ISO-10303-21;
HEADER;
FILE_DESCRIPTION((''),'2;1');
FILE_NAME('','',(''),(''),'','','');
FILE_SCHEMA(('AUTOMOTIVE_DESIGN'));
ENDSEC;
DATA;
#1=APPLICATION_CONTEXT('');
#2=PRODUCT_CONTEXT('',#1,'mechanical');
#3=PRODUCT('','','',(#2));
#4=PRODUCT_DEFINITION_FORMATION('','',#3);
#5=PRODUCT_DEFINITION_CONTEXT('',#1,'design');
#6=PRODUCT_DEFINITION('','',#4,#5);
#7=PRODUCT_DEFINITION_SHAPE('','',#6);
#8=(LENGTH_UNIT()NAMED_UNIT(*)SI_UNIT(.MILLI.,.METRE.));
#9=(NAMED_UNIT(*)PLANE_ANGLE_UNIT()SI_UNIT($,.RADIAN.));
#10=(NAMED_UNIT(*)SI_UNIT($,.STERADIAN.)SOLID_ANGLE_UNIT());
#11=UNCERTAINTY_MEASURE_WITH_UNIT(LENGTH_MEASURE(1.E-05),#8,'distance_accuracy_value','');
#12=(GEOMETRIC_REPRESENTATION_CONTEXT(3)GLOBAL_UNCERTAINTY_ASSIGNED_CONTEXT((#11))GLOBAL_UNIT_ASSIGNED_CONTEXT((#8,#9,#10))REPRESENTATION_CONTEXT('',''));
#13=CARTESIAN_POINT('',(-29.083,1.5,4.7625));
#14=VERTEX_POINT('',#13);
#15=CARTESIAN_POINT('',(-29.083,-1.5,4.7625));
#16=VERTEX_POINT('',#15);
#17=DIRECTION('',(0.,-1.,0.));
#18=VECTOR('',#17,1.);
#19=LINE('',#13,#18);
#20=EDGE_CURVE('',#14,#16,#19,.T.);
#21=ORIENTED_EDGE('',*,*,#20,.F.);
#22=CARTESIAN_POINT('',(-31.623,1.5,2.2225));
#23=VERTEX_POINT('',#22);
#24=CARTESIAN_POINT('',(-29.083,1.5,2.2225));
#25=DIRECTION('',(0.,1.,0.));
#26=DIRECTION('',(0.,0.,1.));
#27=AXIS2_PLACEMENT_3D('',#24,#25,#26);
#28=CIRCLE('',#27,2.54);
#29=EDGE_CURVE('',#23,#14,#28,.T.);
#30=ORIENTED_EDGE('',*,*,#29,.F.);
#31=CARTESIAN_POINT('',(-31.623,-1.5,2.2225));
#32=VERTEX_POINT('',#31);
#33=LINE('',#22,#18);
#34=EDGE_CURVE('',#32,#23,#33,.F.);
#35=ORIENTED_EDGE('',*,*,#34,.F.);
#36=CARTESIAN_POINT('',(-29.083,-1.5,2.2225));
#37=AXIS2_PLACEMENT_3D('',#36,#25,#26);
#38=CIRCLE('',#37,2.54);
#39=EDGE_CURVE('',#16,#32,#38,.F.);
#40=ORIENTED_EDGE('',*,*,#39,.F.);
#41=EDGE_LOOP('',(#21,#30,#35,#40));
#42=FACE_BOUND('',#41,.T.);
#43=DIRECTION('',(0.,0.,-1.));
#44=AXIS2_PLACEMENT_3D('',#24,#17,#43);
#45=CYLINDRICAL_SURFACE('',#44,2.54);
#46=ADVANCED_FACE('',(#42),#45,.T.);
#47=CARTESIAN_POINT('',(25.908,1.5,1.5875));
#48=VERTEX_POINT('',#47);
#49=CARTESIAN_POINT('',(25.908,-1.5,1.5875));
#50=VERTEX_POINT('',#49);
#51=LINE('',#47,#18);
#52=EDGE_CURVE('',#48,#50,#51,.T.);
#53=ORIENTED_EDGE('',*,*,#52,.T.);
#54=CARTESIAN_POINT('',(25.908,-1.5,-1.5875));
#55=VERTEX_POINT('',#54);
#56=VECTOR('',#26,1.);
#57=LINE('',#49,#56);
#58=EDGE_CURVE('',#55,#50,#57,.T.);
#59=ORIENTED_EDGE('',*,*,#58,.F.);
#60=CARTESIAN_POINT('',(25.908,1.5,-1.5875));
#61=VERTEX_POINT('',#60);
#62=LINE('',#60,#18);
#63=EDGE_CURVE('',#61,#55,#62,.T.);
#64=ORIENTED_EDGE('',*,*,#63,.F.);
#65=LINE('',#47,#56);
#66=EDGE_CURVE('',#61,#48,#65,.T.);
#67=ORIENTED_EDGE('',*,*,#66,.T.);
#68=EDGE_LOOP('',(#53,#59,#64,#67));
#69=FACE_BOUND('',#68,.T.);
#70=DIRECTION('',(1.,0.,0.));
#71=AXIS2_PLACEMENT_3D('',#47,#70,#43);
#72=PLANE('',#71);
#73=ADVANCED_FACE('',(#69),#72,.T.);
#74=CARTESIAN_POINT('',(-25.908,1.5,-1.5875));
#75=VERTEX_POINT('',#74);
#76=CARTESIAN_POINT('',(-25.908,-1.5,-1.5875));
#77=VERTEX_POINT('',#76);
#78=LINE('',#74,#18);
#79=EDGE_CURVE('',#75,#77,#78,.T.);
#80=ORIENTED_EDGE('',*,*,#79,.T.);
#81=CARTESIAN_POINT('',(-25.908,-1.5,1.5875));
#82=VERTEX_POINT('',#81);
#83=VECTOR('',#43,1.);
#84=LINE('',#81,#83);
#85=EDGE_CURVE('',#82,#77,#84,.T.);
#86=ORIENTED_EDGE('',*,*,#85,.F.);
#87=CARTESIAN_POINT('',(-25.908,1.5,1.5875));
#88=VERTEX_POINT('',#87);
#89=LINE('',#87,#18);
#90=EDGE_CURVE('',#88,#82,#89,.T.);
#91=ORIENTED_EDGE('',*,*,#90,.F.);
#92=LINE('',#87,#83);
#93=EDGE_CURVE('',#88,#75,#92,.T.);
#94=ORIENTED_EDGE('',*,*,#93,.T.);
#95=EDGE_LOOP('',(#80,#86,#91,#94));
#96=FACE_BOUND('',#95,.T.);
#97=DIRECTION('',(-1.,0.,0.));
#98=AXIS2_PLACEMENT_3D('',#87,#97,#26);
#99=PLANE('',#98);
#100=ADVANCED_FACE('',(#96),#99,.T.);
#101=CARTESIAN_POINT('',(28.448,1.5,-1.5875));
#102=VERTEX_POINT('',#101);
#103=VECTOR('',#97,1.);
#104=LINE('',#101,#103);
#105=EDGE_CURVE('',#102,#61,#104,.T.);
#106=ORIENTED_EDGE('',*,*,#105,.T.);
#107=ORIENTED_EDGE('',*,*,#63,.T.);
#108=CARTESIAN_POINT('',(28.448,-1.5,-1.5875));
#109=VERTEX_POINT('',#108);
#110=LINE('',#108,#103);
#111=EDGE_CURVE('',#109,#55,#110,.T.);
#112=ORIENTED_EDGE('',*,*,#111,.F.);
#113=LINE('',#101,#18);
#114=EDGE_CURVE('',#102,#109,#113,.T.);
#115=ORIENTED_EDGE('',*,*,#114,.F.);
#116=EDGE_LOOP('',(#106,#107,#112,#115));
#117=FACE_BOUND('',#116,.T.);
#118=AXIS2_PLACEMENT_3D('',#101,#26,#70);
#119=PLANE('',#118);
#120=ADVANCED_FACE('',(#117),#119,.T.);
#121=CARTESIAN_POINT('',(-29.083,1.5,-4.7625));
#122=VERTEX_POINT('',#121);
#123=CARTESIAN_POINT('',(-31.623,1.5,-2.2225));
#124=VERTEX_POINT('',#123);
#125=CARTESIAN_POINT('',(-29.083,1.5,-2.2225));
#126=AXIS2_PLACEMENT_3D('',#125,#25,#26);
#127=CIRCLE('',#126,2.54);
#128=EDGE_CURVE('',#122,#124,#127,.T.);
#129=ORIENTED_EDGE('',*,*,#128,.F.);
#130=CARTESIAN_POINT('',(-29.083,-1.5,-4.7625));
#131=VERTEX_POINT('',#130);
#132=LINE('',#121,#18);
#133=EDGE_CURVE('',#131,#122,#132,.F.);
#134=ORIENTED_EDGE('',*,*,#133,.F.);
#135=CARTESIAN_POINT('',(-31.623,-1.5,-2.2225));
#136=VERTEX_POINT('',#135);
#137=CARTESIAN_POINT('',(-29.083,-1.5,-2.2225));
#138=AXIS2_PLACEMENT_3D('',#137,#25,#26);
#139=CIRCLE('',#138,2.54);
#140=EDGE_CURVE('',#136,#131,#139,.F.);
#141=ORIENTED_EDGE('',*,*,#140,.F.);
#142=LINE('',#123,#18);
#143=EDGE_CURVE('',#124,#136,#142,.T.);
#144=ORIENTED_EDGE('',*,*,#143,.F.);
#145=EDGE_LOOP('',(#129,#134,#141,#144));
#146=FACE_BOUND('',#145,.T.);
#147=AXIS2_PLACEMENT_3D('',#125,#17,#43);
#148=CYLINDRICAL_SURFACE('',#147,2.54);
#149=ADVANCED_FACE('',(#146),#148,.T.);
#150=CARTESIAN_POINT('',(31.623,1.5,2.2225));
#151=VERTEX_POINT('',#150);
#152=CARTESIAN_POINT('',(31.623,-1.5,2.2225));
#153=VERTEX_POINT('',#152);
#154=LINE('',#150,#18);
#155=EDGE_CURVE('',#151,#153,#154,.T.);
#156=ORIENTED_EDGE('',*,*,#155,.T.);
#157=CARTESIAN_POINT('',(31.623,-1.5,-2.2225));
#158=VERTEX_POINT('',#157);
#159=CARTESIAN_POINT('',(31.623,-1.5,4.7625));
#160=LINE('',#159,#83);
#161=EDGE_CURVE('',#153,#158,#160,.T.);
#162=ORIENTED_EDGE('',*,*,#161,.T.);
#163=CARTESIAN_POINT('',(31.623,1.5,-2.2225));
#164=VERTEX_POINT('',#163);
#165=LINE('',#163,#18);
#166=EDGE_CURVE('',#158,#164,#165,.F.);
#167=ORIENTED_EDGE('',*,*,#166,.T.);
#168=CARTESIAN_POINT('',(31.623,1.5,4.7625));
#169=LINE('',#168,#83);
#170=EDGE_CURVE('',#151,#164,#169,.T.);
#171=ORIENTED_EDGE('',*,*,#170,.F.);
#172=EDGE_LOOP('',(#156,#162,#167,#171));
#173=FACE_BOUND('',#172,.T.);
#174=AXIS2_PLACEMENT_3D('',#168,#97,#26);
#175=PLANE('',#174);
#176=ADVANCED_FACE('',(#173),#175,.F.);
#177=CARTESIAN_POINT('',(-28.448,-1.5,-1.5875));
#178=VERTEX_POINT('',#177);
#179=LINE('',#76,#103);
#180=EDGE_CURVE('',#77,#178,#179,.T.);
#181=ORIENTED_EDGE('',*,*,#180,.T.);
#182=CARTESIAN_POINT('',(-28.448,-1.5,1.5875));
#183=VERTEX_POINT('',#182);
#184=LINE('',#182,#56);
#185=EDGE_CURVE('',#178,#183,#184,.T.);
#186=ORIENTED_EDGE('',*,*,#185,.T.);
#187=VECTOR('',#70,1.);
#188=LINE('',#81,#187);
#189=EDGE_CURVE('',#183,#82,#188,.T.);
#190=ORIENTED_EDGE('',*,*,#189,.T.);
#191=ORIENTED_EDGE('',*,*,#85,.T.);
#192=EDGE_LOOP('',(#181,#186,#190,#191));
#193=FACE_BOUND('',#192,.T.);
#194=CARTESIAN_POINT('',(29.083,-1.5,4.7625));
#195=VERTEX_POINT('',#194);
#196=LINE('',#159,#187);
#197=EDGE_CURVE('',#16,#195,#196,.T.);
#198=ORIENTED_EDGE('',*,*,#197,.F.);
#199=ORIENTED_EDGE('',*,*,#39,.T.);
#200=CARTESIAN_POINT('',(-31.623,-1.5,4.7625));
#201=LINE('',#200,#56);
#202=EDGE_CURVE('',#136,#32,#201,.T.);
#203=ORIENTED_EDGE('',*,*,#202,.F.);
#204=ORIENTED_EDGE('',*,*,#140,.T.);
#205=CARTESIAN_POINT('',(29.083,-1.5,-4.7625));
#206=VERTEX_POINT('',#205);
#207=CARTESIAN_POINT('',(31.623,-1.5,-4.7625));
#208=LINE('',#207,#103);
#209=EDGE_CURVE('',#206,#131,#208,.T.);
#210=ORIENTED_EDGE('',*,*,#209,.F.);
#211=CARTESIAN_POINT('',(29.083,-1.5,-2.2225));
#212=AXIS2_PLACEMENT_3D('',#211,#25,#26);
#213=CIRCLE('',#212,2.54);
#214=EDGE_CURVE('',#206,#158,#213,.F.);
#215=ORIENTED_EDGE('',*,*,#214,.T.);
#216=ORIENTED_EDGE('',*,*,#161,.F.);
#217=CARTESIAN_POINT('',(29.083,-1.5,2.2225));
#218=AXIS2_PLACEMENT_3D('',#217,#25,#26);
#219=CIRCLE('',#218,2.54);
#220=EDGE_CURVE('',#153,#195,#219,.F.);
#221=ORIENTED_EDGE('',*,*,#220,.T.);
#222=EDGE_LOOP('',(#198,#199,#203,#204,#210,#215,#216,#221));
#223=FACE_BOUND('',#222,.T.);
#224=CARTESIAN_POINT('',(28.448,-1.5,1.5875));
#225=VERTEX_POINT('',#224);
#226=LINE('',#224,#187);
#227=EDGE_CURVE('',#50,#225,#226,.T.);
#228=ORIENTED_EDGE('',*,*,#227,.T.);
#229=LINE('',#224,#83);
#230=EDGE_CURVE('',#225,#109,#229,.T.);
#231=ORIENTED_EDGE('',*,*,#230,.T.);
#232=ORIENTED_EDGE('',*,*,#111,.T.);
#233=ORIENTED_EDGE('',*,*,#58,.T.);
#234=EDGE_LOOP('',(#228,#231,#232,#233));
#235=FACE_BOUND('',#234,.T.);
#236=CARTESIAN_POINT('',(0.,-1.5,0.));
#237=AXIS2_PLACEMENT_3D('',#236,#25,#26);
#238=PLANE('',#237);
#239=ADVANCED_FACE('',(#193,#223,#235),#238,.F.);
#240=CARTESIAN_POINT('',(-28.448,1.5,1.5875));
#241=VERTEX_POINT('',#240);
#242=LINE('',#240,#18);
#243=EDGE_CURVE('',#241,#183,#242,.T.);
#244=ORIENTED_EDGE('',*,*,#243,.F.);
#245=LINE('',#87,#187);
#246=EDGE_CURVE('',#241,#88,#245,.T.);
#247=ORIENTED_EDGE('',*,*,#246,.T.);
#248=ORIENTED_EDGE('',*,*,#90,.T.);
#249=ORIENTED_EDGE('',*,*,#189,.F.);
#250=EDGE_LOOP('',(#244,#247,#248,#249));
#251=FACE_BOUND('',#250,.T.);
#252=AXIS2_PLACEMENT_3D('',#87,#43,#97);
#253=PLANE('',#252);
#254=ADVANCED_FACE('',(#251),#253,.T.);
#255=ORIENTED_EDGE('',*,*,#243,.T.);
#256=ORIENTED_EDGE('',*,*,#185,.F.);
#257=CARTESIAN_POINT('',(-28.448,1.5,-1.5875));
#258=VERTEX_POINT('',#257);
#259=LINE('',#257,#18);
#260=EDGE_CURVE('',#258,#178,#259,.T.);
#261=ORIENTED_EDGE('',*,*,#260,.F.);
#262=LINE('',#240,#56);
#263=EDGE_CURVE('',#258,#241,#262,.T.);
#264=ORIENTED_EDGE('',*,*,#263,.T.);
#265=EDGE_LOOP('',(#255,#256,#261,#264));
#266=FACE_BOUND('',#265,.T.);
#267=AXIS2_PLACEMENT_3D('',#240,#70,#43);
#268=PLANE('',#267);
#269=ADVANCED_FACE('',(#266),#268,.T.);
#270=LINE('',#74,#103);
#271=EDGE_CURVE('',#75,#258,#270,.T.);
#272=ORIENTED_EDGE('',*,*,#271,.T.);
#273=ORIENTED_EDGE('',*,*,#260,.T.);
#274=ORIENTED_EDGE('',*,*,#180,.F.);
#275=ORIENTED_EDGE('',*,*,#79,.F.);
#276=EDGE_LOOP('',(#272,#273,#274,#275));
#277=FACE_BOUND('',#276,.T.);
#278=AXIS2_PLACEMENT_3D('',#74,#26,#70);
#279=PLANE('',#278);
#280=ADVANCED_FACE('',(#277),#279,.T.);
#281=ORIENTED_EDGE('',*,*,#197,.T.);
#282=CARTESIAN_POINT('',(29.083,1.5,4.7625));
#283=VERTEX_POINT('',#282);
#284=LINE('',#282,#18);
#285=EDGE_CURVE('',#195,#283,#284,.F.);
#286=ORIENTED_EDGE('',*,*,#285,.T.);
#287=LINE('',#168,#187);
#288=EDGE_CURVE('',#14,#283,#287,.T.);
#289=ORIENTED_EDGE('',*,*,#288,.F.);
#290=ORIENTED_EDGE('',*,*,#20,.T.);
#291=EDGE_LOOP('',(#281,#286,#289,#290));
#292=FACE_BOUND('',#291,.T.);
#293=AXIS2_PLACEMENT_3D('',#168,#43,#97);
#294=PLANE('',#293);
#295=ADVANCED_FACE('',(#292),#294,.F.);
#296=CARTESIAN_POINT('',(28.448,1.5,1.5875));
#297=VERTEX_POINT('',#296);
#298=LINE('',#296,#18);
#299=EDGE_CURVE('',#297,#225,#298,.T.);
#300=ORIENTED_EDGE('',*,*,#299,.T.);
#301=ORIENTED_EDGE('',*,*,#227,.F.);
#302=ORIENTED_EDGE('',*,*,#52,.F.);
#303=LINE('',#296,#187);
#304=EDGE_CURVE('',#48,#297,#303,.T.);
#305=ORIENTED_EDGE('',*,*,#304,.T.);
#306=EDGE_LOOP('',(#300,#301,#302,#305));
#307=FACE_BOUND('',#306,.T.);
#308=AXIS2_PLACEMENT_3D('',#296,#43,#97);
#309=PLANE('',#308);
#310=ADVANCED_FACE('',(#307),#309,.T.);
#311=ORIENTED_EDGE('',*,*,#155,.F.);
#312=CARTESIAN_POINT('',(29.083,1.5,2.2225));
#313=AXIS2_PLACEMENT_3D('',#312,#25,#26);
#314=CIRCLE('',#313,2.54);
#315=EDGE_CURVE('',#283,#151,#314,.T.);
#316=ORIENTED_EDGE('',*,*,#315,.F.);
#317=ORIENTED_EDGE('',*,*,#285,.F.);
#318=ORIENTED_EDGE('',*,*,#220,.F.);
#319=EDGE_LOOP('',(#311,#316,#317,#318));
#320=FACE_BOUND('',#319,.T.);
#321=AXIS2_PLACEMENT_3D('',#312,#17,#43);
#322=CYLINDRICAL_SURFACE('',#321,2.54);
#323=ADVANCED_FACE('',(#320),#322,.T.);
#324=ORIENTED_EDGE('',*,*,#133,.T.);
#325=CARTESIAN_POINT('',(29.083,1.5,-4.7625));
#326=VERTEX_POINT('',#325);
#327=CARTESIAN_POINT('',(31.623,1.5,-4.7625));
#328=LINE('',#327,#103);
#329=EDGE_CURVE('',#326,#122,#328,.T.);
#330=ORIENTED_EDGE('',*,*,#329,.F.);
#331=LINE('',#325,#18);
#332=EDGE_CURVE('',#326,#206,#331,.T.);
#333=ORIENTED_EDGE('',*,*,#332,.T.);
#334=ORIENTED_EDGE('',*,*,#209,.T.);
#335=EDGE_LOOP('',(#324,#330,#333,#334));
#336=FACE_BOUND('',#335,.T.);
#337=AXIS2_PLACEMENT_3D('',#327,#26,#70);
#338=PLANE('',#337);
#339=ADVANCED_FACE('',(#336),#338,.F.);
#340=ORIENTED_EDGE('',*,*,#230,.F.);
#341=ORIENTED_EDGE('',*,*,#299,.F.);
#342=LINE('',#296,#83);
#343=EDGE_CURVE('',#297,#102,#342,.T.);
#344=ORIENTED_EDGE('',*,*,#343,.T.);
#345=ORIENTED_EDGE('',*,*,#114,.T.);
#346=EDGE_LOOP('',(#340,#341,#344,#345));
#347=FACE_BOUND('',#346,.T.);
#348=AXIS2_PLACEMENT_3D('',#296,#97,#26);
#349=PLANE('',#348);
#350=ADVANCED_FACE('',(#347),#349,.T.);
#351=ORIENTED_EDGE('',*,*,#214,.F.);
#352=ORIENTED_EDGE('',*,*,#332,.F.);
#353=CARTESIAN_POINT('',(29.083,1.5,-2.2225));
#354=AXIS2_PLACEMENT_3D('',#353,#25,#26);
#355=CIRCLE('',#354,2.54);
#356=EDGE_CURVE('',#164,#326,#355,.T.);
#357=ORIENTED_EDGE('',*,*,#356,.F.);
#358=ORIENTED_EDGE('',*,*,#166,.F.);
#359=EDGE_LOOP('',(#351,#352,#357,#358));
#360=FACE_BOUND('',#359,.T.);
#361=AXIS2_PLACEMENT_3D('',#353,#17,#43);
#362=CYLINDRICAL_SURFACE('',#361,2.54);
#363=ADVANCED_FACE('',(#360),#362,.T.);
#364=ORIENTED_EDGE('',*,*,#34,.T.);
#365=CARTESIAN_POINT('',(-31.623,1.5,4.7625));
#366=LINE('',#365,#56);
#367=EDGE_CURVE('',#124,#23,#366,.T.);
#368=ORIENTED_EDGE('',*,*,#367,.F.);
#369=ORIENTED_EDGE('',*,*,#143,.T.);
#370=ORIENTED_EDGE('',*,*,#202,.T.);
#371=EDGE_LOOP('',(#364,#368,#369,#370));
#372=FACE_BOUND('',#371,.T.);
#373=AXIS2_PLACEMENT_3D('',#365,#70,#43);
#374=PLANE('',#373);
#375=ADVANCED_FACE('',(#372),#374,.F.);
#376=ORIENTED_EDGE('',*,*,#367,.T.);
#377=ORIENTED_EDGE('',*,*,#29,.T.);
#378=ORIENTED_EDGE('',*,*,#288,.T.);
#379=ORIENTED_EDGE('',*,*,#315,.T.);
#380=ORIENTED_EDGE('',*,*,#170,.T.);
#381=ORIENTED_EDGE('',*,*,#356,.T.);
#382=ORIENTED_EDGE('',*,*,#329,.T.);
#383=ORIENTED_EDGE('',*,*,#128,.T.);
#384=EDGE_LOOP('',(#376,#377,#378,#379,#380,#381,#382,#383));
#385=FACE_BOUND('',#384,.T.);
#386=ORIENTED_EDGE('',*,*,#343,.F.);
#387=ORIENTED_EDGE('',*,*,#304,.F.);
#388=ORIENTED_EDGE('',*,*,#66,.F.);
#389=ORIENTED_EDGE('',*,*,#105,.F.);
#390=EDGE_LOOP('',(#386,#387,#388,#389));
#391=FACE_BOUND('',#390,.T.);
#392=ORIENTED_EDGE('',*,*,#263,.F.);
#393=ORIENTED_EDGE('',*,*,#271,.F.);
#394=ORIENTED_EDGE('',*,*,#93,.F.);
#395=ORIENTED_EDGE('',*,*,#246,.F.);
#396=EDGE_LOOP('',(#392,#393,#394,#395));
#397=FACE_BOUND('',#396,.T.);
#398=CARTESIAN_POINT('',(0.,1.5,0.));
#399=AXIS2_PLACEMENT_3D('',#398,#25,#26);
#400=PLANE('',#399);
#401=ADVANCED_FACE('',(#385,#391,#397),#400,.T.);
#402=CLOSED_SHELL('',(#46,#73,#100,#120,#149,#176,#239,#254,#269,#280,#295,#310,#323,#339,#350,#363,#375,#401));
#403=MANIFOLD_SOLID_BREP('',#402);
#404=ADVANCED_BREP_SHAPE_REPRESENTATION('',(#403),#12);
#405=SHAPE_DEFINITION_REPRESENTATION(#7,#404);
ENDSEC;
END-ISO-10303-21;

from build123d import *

# Parameters (mm, degrees)
SKETCH1_W           = 63.246
SKETCH1_H           = 9.525
SKETCH1_W_2         = 2.54
SKETCH1_H_2         = 3.175
BOSS_EXTRUDE1_DEPTH = 1.5
FILLET1_R           = 2.54


with BuildPart() as part:
    # Sketch1 → Boss-Extrude1 (new, symmetric)
    with BuildSketch(Plane(origin=(0, 0, 0), x_dir=(1, 0, 0), z_dir=(0, 1, 0))):
        Rectangle(SKETCH1_W, SKETCH1_H)
        with Locations((-27.178, 0)):
            Rectangle(SKETCH1_W_2, SKETCH1_H_2, mode=Mode.SUBTRACT)
        with Locations((27.178, 0)):
            Rectangle(SKETCH1_W_2, SKETCH1_H_2, mode=Mode.SUBTRACT)
    extrude(amount=BOSS_EXTRUDE1_DEPTH, both=True)

    # Fillet1
    fillet1_edges = [part.edges().sort_by_distance(p)[0] for p in [
        (-31.623, 0, -4.7625),
        (31.623, 0, -4.7625),
        (31.623, 0, 4.7625),
        (-31.623, 0, 4.7625),
    ]]
    fillet(fillet1_edges, radius=FILLET1_R)


solid = part.part
